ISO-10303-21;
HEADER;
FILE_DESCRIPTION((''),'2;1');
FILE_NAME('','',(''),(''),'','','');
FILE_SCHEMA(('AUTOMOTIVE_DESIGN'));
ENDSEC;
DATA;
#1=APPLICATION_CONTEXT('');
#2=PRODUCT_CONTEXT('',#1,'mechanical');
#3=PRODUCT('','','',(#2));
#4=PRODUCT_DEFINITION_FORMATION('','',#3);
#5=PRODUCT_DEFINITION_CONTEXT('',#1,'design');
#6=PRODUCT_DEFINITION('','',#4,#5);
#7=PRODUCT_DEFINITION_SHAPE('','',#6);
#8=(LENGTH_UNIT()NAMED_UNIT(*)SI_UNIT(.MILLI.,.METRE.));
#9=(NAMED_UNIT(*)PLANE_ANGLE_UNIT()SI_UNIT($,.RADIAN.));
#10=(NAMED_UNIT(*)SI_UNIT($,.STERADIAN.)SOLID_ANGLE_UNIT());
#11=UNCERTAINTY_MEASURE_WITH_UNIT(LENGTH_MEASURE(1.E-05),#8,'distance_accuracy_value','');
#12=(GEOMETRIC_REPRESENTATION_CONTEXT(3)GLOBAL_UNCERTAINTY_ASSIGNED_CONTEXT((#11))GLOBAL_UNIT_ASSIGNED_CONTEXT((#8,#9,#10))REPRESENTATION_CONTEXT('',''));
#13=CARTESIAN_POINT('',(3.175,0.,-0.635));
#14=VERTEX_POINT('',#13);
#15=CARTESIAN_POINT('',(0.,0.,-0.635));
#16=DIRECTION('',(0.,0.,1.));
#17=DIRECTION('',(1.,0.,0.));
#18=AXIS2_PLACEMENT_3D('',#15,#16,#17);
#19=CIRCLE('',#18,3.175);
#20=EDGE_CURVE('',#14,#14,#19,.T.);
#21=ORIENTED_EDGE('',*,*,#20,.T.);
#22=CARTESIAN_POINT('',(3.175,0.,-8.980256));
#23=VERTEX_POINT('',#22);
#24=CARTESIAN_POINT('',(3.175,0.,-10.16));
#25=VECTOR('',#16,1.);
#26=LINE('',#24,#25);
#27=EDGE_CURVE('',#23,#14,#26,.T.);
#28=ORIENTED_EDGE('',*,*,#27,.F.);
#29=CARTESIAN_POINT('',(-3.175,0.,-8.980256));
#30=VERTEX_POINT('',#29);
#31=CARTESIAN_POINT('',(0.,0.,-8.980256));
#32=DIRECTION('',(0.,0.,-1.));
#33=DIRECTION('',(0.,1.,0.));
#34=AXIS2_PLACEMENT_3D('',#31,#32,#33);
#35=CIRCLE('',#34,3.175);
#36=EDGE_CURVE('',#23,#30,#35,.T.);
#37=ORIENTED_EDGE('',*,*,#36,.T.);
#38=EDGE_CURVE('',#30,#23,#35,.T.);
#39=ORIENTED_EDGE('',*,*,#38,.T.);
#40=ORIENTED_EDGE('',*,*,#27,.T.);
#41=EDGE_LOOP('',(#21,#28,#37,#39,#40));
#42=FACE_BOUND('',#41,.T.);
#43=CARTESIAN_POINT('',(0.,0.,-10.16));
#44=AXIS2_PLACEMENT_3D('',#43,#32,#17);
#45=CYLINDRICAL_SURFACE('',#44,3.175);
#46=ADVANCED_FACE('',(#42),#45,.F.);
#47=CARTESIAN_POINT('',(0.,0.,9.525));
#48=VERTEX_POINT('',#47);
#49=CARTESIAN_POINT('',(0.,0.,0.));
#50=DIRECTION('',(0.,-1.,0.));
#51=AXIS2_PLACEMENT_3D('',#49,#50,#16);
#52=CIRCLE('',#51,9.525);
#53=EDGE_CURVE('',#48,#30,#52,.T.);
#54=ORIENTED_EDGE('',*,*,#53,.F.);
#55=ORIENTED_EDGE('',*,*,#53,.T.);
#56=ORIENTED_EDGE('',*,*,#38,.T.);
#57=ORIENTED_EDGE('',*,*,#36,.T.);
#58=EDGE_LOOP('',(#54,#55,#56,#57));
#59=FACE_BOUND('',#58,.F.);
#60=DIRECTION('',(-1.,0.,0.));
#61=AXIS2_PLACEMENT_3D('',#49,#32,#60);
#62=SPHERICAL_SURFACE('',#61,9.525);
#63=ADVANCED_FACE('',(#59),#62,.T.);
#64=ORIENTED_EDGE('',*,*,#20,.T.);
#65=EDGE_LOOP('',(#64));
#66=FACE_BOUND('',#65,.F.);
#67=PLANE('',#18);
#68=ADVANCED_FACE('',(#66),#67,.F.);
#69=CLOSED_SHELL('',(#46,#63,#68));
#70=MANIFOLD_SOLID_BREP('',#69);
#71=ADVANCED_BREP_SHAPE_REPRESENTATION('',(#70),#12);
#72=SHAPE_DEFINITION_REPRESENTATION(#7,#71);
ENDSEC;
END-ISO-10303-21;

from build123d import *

# Parameters (mm, degrees)
F4_R     = 3.175
F5_DEPTH = 9.525


with BuildPart() as f2:
    # F0 (on Front) → F2 (revolve)
    with BuildSketch(Plane.XZ):
        with BuildLine():
            Line((0, -9.525), (0, 9.525))
            ThreePointArc((0, 9.525), (-9.525, 0), (0, -9.525))
        make_face()
    revolve(axis=Axis((0, 0, 0), (0, 0, 1)))

    # F4 (on offset) → F5 (cut)
    with BuildSketch(Plane.XY.offset(-10.16)):
        Circle(F4_R)
    extrude(amount=F5_DEPTH, mode=Mode.SUBTRACT)


solid = f2.part
